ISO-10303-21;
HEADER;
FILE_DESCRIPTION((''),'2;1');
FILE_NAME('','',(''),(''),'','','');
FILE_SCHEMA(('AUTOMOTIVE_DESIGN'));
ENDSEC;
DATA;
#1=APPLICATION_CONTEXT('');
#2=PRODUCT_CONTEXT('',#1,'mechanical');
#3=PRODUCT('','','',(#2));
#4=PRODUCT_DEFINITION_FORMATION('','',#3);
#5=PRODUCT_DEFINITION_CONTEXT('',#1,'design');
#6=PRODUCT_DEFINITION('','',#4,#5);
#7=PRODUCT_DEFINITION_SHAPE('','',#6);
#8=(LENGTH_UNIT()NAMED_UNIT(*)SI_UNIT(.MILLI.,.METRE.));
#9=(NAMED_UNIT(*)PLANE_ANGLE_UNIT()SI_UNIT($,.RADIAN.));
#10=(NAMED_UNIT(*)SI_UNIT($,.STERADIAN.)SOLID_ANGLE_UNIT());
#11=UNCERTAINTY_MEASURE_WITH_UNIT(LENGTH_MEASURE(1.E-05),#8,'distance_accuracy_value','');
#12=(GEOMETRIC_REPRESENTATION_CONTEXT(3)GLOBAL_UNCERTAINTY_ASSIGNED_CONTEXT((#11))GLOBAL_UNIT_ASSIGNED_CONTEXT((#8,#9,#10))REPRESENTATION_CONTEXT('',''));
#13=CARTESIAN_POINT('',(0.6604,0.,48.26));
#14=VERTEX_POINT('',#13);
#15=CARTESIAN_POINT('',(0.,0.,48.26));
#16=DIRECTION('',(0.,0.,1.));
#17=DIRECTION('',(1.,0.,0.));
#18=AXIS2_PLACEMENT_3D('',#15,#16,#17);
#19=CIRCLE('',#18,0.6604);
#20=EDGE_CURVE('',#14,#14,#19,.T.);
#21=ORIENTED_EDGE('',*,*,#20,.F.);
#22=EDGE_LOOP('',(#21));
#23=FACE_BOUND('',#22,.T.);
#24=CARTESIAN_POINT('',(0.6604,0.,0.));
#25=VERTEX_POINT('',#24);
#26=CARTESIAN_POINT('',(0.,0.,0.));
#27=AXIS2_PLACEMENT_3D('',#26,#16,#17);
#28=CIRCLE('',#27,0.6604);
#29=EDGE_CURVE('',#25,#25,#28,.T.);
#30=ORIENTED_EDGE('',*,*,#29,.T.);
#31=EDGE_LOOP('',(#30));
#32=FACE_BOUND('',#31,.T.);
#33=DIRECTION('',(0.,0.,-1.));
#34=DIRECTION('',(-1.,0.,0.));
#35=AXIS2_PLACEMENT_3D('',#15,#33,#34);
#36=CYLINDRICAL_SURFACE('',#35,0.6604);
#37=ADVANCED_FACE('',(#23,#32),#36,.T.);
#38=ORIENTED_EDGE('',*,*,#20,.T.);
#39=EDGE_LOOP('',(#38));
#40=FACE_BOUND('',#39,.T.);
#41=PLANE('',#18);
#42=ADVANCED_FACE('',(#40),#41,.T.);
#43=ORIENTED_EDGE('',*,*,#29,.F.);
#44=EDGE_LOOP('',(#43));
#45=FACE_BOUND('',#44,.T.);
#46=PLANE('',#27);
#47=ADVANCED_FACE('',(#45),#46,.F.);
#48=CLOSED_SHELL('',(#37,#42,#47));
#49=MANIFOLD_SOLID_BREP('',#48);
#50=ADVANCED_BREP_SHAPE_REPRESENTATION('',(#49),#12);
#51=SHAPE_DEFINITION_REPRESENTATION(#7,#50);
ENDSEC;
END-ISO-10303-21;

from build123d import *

# Parameters (mm, degrees)
SKETCH2_R           = 0.6604
BOSS_EXTRUDE1_DEPTH = 48.26


with BuildPart() as part:
    # Sketch2 → Boss-Extrude1 (new body)
    with BuildSketch(Plane.XY):
        Circle(SKETCH2_R)
    extrude(amount=BOSS_EXTRUDE1_DEPTH)


solid = part.part
